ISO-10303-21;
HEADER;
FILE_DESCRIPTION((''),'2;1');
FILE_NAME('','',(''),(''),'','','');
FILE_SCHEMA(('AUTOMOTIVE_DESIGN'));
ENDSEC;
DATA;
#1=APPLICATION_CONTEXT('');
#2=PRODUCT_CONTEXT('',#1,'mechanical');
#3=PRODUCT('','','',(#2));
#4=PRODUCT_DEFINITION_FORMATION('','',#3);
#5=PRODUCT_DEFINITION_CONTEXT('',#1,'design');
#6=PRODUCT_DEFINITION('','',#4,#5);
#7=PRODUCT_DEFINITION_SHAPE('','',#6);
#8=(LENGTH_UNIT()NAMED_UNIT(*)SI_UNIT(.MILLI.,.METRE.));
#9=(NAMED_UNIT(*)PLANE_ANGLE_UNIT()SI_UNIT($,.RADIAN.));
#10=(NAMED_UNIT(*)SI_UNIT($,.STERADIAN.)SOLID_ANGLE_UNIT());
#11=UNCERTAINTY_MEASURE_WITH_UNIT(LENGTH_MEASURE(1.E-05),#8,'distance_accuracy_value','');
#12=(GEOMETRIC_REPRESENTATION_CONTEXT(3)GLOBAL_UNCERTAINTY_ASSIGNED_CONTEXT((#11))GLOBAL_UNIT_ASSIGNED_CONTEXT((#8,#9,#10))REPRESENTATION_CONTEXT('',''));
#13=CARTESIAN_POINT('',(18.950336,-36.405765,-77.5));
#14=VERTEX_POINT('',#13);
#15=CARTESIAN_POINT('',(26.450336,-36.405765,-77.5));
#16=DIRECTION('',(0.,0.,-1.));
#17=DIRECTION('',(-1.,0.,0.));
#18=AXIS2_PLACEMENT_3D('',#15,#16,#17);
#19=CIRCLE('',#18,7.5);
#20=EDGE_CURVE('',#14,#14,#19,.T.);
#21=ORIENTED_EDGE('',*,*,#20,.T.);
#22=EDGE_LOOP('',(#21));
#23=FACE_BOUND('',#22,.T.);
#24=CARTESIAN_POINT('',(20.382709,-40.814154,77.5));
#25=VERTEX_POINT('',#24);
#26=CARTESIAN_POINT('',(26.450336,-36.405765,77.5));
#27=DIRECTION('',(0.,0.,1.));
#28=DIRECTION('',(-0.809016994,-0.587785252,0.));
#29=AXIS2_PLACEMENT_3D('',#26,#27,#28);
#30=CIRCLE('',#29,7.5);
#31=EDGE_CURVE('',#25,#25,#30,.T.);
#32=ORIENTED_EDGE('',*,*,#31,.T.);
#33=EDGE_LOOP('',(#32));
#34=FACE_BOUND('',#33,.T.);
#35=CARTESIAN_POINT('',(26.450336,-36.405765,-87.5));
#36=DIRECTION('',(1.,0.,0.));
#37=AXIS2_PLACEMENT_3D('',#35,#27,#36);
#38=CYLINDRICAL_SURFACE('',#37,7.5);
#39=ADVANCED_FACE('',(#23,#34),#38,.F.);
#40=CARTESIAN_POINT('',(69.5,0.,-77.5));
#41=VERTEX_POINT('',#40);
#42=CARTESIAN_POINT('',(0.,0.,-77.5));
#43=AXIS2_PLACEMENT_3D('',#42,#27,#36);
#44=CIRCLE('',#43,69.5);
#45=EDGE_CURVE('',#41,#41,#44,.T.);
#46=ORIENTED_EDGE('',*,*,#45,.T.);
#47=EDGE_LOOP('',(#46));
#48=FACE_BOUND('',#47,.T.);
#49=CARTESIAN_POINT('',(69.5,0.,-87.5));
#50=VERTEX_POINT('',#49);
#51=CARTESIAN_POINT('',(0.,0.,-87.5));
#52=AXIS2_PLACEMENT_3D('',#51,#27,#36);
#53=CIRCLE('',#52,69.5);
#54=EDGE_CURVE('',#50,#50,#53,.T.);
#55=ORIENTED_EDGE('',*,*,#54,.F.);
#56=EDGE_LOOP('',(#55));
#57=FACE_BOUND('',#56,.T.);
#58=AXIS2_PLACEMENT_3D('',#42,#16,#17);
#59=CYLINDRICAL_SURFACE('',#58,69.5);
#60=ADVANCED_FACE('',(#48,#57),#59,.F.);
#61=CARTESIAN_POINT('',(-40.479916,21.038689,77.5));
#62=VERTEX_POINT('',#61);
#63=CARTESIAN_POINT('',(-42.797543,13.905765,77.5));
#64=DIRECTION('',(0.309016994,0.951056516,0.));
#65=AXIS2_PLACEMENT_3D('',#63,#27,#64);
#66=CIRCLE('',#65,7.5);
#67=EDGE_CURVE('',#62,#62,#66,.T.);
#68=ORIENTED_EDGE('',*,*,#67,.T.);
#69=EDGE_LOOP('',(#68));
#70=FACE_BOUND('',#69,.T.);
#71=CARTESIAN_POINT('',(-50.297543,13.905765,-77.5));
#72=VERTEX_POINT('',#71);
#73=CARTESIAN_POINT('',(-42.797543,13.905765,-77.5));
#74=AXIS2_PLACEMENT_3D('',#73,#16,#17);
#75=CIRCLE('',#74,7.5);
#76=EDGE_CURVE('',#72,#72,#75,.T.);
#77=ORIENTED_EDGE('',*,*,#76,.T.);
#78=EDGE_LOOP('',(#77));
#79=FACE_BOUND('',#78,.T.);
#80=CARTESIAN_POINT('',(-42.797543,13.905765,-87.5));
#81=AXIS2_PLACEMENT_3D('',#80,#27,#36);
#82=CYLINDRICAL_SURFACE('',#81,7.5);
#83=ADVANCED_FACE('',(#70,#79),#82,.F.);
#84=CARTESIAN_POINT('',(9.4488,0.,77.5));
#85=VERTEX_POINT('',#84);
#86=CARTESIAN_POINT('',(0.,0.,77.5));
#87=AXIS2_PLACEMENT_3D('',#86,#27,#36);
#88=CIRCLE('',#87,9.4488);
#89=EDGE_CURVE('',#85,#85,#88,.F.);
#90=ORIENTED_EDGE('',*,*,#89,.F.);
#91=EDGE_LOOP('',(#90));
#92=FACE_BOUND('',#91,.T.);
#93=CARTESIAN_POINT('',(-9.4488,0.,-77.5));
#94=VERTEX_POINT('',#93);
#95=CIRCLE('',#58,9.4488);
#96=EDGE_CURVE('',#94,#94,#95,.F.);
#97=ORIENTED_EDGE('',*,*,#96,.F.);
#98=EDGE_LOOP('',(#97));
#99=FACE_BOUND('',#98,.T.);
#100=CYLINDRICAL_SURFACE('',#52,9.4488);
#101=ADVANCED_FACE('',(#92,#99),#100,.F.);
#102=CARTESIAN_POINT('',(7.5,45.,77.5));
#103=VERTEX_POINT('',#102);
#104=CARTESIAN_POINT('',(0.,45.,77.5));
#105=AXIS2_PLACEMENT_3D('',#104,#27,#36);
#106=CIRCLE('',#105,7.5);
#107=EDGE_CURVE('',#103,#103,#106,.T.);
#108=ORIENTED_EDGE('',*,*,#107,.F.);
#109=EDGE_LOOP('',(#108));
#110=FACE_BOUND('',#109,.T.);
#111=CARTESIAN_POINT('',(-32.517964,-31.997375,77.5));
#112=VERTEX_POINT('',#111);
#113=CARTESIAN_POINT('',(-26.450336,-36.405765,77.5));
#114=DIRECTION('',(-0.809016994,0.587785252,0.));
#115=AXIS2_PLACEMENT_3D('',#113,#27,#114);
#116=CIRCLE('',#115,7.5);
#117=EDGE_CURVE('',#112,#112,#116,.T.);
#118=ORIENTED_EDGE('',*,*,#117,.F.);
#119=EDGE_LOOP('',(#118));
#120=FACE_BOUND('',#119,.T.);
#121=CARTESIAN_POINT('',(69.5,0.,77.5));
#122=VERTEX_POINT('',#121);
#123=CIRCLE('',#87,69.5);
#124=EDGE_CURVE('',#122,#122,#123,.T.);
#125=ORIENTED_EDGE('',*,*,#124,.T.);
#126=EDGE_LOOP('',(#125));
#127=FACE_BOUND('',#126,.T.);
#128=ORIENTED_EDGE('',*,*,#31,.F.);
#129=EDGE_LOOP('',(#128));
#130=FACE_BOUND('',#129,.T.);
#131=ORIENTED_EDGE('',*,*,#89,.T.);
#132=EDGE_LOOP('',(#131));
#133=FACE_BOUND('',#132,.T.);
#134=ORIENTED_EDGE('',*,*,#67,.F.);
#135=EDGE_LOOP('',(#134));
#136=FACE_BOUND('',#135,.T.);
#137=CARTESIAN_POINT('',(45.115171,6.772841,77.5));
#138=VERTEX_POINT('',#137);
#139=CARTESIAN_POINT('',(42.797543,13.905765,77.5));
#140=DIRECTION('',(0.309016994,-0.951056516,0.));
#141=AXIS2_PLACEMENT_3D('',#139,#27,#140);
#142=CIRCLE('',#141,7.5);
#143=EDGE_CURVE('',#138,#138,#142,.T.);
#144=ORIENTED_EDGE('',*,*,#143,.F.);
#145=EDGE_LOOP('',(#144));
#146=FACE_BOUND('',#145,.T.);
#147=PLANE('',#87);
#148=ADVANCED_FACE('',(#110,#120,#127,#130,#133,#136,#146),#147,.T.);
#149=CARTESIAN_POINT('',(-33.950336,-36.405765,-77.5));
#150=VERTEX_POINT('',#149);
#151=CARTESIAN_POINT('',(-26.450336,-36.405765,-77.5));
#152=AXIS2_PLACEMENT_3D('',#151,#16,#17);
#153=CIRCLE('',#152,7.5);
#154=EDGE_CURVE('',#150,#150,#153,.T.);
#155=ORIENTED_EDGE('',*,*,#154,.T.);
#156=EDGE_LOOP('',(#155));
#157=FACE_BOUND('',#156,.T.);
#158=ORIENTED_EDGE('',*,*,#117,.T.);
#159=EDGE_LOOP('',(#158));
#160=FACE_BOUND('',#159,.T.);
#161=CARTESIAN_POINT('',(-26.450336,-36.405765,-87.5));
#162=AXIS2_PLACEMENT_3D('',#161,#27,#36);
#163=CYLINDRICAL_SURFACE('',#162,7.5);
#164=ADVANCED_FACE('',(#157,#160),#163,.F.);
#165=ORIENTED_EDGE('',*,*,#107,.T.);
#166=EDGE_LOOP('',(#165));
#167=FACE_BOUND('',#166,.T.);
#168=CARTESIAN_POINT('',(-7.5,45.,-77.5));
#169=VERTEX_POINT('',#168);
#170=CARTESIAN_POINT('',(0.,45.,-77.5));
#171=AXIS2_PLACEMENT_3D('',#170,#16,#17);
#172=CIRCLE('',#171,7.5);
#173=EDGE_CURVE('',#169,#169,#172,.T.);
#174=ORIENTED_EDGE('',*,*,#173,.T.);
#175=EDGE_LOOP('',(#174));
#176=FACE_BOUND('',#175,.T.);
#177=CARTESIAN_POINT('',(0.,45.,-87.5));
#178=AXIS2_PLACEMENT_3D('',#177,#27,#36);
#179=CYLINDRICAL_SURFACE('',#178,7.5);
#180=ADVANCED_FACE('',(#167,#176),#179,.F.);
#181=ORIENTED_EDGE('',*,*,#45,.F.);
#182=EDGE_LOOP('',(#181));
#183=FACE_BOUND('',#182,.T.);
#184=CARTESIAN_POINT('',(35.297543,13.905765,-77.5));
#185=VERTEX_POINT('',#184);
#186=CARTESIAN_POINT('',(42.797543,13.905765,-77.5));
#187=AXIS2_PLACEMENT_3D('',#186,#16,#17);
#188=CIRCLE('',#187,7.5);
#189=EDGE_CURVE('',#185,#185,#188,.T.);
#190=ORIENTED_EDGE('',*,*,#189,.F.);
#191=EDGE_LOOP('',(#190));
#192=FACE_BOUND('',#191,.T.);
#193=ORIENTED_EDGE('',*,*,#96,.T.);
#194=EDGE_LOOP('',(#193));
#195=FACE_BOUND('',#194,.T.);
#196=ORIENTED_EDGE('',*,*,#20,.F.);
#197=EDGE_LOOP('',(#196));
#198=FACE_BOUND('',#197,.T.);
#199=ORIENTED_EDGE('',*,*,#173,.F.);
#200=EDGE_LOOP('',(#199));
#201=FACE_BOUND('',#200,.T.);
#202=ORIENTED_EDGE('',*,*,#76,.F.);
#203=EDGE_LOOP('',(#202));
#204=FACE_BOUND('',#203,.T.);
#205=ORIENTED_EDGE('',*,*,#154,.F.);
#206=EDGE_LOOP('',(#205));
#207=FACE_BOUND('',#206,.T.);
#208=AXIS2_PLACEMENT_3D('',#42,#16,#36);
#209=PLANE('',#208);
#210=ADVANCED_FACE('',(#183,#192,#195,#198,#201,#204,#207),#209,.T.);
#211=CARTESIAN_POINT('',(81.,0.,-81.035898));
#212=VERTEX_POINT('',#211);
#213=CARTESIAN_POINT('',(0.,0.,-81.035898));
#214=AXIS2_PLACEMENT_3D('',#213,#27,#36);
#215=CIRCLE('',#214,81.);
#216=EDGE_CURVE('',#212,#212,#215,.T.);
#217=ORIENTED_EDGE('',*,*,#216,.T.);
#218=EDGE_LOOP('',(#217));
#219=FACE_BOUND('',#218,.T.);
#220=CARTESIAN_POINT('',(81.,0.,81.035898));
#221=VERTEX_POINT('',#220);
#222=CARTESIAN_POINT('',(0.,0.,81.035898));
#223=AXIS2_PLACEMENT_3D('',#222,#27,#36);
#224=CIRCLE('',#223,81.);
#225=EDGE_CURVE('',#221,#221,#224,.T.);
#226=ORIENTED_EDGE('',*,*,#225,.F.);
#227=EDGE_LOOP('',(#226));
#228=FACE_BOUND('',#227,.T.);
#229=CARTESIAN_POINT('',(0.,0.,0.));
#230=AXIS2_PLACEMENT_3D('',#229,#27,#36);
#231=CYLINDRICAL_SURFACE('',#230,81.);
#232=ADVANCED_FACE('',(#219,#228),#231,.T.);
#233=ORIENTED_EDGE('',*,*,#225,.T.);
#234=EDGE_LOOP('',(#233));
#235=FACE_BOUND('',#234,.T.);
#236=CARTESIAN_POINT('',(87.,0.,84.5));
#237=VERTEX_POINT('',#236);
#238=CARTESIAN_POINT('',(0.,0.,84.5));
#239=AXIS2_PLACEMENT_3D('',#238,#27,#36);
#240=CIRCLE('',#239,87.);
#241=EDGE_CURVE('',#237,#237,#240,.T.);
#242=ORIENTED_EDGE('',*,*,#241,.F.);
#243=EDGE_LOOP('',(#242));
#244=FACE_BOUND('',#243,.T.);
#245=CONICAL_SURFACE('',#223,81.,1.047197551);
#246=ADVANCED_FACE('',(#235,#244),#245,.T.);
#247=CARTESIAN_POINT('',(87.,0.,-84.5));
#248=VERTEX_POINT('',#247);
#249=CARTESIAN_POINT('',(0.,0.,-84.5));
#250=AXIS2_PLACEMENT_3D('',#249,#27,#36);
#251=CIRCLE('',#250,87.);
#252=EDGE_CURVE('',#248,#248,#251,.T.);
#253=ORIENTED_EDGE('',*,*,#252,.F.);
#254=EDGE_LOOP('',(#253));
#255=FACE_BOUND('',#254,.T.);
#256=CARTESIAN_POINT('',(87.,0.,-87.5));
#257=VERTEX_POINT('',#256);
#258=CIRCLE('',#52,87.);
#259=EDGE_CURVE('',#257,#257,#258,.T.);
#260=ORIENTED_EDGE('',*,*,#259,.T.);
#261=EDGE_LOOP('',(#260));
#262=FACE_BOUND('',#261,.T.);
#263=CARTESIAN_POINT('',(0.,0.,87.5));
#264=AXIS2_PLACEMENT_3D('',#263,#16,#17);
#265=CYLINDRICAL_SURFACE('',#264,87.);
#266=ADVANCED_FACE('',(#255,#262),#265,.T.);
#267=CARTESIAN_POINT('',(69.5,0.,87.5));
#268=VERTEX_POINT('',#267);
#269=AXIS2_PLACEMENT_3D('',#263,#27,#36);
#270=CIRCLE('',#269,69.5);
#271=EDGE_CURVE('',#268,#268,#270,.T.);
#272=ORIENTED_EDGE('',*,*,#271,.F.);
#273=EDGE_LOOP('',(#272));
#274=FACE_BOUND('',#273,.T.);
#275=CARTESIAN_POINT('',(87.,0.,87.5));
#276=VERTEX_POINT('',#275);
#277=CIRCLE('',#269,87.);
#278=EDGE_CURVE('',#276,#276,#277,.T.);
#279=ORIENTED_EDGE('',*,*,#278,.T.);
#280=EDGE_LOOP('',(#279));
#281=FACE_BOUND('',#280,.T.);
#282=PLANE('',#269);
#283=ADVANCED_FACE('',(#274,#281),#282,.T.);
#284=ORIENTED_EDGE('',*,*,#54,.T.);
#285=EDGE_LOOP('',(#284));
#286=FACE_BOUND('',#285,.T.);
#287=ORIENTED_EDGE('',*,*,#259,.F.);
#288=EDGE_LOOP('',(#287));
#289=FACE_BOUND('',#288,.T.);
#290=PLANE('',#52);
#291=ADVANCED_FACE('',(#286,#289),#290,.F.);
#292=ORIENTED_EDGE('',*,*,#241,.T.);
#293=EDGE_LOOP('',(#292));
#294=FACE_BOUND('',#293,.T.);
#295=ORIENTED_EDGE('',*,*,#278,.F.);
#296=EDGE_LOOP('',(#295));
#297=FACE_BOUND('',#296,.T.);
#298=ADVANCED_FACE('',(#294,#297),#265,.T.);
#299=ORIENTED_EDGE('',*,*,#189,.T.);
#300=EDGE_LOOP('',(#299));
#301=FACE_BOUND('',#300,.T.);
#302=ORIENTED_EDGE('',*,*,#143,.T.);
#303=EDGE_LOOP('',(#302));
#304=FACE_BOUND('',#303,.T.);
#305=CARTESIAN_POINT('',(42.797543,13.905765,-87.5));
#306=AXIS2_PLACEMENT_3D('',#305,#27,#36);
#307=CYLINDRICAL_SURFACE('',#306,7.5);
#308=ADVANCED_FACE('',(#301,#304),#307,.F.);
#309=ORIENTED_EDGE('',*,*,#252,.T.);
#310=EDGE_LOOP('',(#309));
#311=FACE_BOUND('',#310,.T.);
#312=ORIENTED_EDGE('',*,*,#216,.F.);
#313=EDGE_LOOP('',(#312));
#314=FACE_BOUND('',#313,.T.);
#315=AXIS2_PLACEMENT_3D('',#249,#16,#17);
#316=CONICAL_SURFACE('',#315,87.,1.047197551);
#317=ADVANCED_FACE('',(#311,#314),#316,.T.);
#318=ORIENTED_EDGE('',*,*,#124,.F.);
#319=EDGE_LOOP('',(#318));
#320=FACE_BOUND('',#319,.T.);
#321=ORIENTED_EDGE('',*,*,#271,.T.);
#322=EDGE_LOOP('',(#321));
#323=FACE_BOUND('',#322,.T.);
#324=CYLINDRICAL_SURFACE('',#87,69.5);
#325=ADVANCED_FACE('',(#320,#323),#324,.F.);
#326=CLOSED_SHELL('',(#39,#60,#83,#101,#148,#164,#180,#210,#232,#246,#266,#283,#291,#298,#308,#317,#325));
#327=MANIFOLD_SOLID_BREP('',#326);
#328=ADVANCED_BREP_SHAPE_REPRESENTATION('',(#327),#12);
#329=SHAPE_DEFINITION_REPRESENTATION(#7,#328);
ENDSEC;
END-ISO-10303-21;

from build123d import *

# Parameters (mm, degrees)
SKETCH1_R               = 87
BOSS_EXTRUDE1_DEPTH     = 87.5
SKETCH2_R               = 9.4488
CUT_EXTRUDE1_DEPTH      = 1
CUT_EXTRUDE1_DEPTH_BACK = 176
SKETCH3_R               = 69.5
CUT_EXTRUDE2_DEPTH      = 10
SKETCH7_R               = 7.5
CUT_EXTRUDE3_DEPTH      = 166
CIRPATTERN1_COUNT       = 5


with BuildPart() as part:
    # Sketch1 → Boss-Extrude1 (new body, symmetric)
    with BuildSketch(Plane.XY):
        Circle(SKETCH1_R)
    extrude(amount=BOSS_EXTRUDE1_DEPTH, both=True)

    # Sketch2 → Cut-Extrude1 (cut, two sides)
    with BuildSketch(Plane.XY.offset(87.5)) as cut_extrude1_sk:
        Circle(SKETCH2_R)
    extrude(amount=CUT_EXTRUDE1_DEPTH, mode=Mode.SUBTRACT)
    extrude(cut_extrude1_sk.sketch, amount=-CUT_EXTRUDE1_DEPTH_BACK, mode=Mode.SUBTRACT)

    # Sketch3 → Cut-Extrude2 (cut)
    with BuildSketch(Plane.XY.offset(87.5)):
        Circle(SKETCH3_R)
    cut_extrude2 = extrude(amount=-CUT_EXTRUDE2_DEPTH, mode=Mode.SUBTRACT)

    # Mirror1: Cut-Extrude2 across plane
    add(cut_extrude2.mirror(Plane.XY), mode=Mode.SUBTRACT)

    # Sketch5 → Cut-Revolve1 (revolve, cut)
    with BuildSketch(Plane(origin=(0, 0, 0), x_dir=(1, 0, 0), z_dir=(0, 1, 0))):
        Polygon((87, 84.5), (81, 81.035898385), (81, -81.035898385), (87, -84.5), align=None)
    revolve(axis=Axis((0, 0, 0), (0, 0, -1)), mode=Mode.SUBTRACT)

    # Sketch7 → Cut-Extrude3 (cut, through all)
    with BuildSketch(Plane.XY.offset(77.5)):
        with Locations((0, 45)):
            Circle(SKETCH7_R)
    cut_extrude3 = extrude(amount=-CUT_EXTRUDE3_DEPTH, mode=Mode.SUBTRACT)

    # CirPattern1: Cut-Extrude3 ×5 about axis
    cirpattern1_axis = Axis((0, 0, 0), (0, 0, 1))
    for i in range(1, CIRPATTERN1_COUNT):
        add(cut_extrude3.rotate(cirpattern1_axis, i * 360 / CIRPATTERN1_COUNT), mode=Mode.SUBTRACT)


solid = part.part
